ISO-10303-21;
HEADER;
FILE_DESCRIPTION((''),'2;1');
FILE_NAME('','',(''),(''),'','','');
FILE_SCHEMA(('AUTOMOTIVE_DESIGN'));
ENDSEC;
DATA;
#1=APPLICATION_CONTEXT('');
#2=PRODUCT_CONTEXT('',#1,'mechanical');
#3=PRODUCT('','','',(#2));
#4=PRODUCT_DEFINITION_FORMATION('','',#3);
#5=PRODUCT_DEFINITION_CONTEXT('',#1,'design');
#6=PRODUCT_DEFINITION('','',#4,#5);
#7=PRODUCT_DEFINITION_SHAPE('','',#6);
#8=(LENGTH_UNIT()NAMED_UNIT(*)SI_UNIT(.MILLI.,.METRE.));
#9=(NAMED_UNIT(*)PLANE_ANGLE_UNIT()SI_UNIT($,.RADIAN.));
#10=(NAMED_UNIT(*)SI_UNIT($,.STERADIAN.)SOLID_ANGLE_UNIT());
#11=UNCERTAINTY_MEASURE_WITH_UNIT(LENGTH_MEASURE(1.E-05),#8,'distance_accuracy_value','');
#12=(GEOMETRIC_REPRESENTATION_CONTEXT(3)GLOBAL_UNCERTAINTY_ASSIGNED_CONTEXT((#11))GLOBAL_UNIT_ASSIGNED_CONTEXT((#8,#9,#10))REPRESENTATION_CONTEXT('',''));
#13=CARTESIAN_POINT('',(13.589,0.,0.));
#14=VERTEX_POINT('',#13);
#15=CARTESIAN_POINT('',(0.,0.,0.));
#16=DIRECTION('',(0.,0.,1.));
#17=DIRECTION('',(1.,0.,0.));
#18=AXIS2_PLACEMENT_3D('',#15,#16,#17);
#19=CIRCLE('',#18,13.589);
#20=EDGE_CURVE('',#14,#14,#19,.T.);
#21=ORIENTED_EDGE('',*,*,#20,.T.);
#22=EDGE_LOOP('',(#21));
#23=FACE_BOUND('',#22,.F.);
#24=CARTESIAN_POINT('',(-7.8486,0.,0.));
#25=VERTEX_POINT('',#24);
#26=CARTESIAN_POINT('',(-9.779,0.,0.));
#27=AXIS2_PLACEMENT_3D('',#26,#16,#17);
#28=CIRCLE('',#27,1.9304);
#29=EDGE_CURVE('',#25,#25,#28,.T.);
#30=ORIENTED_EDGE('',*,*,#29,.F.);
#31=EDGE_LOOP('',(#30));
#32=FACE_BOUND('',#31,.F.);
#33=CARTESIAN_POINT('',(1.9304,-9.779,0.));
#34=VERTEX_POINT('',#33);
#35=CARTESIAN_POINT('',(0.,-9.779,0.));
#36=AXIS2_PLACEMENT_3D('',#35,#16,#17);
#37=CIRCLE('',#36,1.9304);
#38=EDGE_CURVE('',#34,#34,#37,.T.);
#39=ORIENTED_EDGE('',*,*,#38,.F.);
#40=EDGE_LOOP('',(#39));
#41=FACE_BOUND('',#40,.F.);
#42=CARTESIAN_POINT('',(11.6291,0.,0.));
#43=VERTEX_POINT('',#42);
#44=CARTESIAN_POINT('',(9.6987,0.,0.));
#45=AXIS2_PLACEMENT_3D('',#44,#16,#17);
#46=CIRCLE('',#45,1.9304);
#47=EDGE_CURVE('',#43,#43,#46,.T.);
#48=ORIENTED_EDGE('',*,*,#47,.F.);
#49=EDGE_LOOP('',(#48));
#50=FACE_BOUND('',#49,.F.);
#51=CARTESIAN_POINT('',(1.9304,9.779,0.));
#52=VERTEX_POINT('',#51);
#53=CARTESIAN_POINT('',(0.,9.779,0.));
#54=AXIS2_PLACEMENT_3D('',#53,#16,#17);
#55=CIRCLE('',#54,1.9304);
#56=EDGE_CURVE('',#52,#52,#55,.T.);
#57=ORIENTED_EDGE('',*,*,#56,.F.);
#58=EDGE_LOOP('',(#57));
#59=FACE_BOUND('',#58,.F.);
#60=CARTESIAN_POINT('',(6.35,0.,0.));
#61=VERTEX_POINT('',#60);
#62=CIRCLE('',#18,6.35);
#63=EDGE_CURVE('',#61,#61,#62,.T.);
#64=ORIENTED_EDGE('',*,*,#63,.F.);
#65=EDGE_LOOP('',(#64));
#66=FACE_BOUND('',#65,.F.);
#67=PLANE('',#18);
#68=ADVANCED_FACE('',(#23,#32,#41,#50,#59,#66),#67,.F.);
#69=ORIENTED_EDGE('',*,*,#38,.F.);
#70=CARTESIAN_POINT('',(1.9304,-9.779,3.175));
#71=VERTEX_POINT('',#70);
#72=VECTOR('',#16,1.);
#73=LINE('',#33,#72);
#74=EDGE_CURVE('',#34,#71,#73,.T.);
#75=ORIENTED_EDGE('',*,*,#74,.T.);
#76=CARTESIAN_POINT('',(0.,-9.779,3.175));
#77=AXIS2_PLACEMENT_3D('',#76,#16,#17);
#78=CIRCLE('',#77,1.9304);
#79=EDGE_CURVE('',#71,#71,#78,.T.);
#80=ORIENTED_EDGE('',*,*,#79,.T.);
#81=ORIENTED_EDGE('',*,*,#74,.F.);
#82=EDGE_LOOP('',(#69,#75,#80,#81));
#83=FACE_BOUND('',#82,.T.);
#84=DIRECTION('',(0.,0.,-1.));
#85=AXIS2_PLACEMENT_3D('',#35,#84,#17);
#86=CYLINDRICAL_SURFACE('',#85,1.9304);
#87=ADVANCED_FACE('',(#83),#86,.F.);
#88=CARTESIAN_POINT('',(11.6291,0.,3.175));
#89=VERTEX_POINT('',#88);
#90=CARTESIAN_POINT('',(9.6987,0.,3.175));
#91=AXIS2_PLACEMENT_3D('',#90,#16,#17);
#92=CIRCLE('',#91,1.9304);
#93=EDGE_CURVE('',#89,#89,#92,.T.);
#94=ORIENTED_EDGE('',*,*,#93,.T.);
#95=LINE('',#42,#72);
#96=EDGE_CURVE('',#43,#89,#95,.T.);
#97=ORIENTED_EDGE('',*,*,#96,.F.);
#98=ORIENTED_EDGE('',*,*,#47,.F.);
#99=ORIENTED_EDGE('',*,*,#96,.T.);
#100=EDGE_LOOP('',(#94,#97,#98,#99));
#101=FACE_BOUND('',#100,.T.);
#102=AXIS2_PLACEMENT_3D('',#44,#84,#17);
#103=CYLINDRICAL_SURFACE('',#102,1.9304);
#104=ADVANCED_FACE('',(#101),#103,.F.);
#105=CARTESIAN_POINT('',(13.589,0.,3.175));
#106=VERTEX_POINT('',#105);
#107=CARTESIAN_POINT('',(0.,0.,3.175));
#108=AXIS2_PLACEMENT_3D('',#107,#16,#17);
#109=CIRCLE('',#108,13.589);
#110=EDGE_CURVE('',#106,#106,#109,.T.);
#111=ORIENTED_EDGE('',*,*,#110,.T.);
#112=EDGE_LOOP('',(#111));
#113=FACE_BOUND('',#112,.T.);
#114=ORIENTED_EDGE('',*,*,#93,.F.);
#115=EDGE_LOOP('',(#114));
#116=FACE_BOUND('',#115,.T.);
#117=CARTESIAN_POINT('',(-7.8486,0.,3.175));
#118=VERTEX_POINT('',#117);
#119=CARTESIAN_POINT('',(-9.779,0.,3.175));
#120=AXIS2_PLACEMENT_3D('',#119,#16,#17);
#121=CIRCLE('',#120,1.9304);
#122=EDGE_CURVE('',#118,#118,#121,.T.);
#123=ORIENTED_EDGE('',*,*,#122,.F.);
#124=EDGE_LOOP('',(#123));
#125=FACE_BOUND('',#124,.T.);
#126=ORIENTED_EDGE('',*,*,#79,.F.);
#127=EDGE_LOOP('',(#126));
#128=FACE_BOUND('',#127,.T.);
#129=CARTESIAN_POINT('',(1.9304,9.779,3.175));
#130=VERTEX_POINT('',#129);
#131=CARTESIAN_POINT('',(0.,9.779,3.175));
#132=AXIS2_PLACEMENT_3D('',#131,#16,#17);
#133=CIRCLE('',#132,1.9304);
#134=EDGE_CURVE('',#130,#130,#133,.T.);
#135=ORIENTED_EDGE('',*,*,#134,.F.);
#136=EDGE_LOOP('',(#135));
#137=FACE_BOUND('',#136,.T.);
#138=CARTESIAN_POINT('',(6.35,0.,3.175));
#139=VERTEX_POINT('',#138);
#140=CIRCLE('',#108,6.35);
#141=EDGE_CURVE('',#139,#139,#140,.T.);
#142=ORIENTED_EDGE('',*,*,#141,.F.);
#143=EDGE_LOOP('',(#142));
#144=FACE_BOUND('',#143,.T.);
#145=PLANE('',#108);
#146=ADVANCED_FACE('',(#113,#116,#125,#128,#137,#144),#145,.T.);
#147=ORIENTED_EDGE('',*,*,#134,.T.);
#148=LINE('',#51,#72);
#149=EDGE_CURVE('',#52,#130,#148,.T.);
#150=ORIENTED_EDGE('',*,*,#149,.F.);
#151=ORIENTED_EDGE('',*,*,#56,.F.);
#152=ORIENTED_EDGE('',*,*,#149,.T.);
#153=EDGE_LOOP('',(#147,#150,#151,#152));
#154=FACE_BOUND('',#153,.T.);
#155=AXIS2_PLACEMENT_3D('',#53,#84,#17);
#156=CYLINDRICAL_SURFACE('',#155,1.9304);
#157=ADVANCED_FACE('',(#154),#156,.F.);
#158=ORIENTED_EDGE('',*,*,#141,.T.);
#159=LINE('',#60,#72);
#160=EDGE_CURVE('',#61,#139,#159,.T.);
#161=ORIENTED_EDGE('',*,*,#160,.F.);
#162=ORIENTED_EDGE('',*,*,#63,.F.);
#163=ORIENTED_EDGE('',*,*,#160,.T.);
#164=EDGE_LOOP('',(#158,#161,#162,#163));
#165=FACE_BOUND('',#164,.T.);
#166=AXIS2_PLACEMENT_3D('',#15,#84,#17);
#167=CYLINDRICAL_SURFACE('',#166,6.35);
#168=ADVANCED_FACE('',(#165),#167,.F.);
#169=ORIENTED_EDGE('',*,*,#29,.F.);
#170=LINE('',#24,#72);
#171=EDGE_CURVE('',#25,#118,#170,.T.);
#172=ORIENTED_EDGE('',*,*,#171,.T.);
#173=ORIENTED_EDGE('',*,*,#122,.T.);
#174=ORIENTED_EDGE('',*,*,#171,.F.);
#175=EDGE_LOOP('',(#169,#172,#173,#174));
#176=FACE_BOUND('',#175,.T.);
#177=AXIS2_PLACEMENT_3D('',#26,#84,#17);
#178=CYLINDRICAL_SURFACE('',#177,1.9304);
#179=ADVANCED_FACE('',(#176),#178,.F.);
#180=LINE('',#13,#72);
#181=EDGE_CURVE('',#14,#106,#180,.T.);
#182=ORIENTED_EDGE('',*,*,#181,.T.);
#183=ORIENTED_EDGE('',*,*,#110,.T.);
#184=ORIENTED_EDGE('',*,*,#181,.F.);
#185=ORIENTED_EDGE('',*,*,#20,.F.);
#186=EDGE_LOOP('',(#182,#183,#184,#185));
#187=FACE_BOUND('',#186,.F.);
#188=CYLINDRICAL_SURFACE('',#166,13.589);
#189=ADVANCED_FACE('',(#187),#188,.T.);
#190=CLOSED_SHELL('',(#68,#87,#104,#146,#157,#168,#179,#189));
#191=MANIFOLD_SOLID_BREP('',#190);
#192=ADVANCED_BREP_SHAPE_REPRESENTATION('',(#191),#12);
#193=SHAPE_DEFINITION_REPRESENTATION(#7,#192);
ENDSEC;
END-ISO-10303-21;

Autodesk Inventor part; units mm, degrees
ref_plane "YZ Plane" through (0, 0, 0) normal (1, 0, 0) x (0, 1, 0)
ref_plane "XZ Plane" through (0, 0, 0) normal (0, 1, 0) x (-1, 0, 0)
ref_plane "XY Plane" through (0, 0, 0) normal (0, 0, 1) x (1, 0, 0)
ref_plane "Work Plane1" through (0, 0, 0) normal (0, 0, 1) x (1, 0, 0)
sketch "Sketch1" plane through (0, 0, 0) normal (0, 0, 1) x (1, 0, 0)
  arc A0 (-12.3389, 9.6089) -> (-9.6089, 12.3389) centre (-10.9739, 10.9739) ccw construction
  circle A1 centre (0, 9.779) radius 1.9304 projected
  circle A2 centre (9.6987, 0) radius 1.9304 projected
  circle A3 centre (0, -9.779) radius 1.9304 projected
  circle A4 centre (-9.779, 0) radius 1.9304 projected
  circle A5 centre (0, 0) radius 6.35 projected
  circle A6 centre (0, 0) radius 13.589
extrude "Extrusion1" add sketch "Sketch1" along normal blind 3.175
properties part number "spool 4in inner plate"
